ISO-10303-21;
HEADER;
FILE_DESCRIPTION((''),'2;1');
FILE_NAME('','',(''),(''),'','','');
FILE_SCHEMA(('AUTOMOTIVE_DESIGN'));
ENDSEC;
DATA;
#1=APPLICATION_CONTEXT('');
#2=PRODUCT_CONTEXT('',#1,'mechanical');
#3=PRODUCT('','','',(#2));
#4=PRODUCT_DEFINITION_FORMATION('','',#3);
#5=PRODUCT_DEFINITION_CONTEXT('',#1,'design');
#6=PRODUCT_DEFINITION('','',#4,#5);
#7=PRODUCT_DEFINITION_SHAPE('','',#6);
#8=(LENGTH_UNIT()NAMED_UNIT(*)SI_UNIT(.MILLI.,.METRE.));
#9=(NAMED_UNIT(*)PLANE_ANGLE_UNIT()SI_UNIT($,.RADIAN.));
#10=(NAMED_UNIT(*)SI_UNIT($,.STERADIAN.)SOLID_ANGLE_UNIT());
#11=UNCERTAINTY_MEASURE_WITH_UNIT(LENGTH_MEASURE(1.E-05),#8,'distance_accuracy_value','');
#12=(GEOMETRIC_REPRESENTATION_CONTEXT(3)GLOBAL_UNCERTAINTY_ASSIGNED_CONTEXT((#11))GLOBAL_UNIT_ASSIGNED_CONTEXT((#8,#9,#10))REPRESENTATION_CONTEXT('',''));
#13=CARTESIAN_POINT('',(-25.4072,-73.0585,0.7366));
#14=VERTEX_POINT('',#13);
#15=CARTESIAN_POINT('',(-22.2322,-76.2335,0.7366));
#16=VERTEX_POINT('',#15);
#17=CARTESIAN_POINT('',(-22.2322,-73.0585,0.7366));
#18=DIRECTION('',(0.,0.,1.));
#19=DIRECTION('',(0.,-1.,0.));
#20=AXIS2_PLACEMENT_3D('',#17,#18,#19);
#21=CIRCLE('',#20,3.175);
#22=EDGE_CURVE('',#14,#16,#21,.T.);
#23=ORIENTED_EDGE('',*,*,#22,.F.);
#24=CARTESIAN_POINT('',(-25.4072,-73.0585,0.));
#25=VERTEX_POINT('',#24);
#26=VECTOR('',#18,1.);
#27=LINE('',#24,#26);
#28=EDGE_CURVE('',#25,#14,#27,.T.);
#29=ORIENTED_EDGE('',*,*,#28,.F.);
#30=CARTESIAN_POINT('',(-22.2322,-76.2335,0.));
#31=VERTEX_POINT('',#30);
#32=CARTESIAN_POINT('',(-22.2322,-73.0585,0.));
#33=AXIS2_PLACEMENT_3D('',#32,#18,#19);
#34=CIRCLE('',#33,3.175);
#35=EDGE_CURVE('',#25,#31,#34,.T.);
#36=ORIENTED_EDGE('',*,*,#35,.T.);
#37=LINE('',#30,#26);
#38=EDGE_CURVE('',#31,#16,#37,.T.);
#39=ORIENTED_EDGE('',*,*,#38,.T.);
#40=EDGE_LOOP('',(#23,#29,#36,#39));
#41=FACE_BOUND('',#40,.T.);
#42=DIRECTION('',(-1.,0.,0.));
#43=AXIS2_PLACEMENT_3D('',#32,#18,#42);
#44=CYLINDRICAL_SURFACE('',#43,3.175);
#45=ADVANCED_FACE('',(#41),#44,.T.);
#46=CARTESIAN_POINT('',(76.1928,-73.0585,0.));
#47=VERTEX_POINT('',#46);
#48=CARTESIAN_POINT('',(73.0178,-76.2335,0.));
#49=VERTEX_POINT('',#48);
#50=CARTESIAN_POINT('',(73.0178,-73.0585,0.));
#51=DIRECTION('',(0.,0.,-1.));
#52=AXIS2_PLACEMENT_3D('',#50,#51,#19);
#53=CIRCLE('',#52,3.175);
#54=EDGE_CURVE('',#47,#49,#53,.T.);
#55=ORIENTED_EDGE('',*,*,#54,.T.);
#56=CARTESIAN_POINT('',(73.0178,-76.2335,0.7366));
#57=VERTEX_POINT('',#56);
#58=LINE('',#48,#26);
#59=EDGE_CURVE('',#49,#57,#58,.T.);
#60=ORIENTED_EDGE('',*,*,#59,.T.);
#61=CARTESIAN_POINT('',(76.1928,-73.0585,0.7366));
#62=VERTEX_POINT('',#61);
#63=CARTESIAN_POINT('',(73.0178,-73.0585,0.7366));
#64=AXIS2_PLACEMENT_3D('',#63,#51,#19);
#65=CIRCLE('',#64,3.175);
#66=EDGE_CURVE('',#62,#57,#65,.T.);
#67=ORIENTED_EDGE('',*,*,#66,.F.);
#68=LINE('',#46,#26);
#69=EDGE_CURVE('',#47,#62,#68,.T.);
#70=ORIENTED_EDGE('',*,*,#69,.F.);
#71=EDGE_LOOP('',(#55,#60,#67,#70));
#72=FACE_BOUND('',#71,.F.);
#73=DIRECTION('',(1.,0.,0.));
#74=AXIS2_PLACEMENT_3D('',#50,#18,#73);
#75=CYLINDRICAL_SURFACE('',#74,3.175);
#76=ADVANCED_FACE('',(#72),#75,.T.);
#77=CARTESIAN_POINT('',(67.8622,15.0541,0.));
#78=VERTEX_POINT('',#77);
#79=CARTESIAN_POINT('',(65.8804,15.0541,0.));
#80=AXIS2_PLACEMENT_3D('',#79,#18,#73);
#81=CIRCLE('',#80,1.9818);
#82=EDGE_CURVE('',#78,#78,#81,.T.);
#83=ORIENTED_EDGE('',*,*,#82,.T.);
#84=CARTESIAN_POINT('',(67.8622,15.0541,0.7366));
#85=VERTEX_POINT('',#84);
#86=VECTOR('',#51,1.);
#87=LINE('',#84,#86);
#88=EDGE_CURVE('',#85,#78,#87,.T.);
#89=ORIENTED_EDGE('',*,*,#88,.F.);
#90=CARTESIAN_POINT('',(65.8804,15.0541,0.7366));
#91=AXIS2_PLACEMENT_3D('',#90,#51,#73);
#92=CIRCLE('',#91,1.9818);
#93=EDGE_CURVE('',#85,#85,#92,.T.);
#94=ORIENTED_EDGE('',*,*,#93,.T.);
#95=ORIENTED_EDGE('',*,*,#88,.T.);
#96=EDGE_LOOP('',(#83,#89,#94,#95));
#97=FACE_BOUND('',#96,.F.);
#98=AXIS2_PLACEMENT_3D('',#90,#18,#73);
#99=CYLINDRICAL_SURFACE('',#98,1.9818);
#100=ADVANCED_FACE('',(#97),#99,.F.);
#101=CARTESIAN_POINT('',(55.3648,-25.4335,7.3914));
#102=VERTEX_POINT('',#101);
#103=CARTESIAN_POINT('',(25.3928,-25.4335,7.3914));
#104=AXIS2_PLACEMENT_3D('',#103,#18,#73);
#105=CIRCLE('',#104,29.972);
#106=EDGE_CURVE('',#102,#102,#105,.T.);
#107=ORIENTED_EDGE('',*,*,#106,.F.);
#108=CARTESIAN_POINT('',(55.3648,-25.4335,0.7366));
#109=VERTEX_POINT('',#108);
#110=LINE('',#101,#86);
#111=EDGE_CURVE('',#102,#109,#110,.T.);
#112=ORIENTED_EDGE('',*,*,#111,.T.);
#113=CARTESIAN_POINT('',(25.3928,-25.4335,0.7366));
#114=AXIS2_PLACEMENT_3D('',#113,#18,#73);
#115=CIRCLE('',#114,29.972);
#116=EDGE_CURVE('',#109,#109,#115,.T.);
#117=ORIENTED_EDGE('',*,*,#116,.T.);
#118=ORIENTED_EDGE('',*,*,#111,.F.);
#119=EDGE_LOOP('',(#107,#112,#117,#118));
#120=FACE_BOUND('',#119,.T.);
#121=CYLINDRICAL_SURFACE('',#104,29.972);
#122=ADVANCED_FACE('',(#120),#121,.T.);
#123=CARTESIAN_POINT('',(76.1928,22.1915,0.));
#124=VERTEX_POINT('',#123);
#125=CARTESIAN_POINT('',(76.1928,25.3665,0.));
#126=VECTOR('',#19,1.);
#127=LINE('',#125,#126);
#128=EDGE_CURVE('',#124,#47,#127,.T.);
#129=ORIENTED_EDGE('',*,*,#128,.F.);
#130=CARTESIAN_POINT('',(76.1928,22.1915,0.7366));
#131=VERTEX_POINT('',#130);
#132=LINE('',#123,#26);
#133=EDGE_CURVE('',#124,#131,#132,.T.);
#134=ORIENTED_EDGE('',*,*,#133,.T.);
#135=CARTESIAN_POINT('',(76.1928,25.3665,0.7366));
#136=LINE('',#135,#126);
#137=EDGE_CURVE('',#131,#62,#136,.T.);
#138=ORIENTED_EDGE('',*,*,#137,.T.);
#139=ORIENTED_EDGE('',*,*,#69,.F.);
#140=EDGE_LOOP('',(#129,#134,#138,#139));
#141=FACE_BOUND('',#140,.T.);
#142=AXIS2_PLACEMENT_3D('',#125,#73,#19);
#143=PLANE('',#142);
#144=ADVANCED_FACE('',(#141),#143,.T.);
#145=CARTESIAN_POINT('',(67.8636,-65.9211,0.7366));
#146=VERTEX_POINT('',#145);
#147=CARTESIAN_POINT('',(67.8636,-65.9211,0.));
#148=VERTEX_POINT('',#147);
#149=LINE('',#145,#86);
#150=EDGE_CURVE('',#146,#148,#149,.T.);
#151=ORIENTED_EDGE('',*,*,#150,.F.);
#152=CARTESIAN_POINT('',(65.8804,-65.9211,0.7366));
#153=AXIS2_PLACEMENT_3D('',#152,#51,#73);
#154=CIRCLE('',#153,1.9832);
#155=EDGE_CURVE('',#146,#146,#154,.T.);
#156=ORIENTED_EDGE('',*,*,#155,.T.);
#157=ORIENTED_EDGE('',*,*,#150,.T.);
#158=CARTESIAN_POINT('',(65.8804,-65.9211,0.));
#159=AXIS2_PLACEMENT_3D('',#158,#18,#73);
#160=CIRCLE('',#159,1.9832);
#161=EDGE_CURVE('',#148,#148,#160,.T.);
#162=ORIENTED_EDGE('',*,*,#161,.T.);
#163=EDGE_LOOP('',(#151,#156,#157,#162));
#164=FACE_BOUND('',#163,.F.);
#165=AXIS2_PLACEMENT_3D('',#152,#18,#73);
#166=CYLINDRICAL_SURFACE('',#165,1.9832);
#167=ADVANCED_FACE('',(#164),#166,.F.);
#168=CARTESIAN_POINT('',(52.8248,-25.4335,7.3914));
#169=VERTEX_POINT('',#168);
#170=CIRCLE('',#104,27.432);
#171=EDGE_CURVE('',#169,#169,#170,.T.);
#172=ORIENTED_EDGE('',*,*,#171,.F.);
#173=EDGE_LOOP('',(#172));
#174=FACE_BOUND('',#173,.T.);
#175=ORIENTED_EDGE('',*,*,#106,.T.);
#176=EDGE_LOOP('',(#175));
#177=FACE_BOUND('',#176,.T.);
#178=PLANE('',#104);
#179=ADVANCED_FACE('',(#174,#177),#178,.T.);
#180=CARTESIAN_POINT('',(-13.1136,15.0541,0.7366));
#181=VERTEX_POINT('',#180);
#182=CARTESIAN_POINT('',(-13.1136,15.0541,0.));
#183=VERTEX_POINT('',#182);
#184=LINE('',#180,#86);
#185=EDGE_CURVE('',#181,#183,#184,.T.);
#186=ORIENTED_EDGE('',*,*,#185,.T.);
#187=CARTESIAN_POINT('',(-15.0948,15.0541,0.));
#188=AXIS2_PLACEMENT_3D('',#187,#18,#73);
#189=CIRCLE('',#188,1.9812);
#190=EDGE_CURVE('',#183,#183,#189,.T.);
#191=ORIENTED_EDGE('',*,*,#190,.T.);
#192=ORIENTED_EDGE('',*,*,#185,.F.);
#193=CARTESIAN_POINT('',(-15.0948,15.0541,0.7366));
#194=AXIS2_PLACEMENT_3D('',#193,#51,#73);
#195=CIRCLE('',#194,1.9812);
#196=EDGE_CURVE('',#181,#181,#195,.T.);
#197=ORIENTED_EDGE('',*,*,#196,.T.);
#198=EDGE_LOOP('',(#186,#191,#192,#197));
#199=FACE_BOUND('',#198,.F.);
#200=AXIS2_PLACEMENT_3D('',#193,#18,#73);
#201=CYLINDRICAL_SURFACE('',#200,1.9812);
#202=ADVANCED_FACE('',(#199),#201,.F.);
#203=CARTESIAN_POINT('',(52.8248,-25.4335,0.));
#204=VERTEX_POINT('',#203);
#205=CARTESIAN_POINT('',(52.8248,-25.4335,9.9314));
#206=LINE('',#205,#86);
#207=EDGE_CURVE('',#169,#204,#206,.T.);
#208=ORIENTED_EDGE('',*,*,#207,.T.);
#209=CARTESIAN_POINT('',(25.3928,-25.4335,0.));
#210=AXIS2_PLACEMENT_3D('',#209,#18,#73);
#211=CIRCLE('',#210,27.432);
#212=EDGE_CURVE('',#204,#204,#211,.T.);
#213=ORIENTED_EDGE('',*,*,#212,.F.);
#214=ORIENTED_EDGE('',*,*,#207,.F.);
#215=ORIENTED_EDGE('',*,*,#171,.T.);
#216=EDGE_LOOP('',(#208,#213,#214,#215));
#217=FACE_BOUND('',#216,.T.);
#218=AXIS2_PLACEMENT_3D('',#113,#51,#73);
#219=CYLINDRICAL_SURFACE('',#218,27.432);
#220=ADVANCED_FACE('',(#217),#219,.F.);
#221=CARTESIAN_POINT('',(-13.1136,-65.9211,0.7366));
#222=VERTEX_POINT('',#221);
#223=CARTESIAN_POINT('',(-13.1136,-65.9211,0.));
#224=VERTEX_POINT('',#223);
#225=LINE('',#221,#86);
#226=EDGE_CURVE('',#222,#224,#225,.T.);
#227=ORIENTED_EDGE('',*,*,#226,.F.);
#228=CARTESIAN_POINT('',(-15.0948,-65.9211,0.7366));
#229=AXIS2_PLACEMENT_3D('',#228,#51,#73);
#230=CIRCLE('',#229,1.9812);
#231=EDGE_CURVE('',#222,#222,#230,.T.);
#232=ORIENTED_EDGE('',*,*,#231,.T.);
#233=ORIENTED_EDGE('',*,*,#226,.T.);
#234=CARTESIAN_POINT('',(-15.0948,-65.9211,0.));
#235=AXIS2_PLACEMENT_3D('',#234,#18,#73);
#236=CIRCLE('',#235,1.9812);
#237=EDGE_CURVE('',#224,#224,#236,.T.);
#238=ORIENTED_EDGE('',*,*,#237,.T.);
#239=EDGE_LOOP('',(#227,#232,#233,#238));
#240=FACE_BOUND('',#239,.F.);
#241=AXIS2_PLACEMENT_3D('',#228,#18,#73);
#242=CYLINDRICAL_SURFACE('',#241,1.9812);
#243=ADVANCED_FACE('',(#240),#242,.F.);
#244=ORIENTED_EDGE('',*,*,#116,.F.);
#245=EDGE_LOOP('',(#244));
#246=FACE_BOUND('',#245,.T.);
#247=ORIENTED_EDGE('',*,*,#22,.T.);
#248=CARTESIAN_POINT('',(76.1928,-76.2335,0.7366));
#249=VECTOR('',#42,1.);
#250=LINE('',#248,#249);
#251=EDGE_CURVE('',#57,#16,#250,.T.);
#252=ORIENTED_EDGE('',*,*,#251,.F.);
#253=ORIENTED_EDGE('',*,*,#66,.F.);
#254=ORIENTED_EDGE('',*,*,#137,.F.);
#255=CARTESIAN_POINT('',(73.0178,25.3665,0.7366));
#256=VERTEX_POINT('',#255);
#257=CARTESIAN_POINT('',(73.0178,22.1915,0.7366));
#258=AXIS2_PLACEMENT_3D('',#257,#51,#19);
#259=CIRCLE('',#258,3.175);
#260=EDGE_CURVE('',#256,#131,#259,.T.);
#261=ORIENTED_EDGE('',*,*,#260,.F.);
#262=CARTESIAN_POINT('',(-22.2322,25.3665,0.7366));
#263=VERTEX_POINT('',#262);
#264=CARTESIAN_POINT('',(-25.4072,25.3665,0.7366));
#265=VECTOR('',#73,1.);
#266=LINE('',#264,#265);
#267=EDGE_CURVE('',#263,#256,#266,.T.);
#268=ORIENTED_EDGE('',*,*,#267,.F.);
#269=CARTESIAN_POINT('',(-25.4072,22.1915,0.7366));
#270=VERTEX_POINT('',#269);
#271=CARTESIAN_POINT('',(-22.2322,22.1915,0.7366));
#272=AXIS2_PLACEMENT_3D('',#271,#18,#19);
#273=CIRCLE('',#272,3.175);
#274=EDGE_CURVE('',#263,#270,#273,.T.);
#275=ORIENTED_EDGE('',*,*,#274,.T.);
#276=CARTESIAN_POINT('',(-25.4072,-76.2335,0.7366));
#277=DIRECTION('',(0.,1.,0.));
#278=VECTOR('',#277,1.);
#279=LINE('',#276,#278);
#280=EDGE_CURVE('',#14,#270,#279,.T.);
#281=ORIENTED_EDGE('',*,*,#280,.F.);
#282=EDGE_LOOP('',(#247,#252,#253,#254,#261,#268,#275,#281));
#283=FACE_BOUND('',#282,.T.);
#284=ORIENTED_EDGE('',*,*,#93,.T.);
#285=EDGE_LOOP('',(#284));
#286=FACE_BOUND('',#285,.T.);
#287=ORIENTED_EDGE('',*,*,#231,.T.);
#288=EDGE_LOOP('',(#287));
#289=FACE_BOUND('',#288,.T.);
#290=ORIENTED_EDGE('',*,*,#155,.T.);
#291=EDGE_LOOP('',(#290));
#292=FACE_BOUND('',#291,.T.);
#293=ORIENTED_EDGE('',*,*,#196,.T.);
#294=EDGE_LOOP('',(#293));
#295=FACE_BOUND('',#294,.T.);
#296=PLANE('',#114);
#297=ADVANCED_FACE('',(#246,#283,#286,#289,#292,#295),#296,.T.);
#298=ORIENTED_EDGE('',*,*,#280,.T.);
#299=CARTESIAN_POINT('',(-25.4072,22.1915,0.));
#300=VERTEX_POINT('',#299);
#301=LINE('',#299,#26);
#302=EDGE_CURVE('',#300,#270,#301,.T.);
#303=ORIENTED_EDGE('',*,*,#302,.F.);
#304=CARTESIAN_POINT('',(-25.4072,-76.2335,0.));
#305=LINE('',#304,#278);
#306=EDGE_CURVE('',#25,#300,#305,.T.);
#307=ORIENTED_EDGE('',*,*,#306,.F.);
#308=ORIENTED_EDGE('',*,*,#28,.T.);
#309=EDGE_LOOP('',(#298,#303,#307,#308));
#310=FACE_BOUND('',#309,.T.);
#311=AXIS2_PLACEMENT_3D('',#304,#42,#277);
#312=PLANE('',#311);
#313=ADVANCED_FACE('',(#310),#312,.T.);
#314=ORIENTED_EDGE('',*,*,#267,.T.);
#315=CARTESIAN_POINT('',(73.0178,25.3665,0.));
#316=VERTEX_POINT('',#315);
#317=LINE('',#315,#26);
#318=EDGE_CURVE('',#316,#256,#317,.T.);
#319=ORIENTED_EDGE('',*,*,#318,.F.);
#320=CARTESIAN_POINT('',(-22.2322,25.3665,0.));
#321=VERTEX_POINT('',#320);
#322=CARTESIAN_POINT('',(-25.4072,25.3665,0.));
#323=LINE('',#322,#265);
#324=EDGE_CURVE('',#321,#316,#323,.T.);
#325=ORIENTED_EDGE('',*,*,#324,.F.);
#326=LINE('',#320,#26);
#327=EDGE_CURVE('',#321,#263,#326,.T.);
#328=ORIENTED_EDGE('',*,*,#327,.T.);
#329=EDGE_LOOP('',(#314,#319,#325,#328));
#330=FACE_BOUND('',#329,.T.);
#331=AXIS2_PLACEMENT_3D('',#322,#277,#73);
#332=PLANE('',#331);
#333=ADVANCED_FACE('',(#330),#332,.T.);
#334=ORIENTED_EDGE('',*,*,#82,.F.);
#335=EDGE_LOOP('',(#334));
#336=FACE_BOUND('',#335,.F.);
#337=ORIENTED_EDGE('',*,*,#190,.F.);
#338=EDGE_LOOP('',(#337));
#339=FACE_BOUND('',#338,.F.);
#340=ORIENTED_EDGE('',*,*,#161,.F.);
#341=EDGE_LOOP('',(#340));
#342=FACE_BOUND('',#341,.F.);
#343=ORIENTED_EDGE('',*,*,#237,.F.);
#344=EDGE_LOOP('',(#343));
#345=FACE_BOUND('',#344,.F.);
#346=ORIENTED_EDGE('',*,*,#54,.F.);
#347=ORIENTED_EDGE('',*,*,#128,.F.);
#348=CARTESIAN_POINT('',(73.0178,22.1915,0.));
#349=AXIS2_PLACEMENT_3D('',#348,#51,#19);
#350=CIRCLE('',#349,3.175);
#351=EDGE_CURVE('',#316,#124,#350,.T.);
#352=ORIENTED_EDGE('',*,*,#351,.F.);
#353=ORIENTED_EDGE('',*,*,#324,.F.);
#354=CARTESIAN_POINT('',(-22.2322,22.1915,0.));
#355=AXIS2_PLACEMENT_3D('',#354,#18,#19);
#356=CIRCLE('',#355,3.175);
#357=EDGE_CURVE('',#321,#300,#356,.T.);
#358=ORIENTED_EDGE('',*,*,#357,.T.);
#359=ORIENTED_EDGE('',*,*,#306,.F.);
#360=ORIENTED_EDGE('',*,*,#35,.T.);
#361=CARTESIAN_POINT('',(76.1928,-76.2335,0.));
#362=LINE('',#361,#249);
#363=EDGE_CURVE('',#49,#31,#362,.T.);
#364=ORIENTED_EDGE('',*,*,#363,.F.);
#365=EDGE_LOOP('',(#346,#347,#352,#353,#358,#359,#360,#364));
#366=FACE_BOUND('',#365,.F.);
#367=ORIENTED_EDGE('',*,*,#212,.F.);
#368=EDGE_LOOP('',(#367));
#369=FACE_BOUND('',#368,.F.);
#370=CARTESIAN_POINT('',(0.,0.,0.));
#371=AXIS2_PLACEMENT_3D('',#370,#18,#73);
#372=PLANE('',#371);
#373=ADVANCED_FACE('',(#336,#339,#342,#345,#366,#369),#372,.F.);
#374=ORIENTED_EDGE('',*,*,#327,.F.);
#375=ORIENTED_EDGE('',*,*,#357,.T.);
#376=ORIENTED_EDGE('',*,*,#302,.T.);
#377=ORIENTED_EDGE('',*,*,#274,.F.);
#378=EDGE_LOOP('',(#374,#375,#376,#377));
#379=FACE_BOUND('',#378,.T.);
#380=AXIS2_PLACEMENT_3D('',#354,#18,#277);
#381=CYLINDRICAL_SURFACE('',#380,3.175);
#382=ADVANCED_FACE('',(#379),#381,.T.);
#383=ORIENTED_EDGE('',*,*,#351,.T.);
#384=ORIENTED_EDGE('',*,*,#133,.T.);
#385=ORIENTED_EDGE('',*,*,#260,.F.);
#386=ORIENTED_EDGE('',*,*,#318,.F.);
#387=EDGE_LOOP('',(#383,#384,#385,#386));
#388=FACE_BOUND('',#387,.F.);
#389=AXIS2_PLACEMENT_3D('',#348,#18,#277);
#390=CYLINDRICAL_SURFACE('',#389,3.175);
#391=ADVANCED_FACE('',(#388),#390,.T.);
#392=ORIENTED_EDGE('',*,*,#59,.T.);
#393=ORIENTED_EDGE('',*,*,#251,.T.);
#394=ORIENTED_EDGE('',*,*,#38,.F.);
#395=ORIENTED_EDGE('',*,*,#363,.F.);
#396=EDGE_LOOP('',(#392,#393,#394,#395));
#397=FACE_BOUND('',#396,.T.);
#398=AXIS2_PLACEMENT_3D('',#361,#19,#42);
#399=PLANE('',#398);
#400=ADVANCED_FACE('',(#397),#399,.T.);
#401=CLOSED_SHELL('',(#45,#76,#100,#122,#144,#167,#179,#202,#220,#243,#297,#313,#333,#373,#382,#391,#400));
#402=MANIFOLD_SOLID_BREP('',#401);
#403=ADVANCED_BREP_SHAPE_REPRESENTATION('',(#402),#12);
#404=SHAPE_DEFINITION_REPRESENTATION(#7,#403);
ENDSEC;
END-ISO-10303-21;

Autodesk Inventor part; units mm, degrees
ref_plane "YZ Plane" through (0, 0, 0) normal (1, 0, 0) x (0, 1, 0)
ref_plane "XZ Plane" through (0, 0, 0) normal (0, 1, 0) x (-1, 0, 0)
ref_plane "XY Plane" through (0, 0, 0) normal (0, 0, 1) x (1, 0, 0)
sketch "Sketch1" plane through (0, 0, 0) normal (0, 0, 1) x (1, 0, 0)
  line L0 (-25.4072, 25.3665) -> (76.1928, 25.3665)
  line L1 (76.1928, 25.3665) -> (76.1928, -76.2335)
  line L2 (76.1928, -76.2335) -> (-25.4072, -76.2335)
  line L3 (-25.4072, -76.2335) -> (-25.4072, 25.3665)
  point P0 (0, 0)
  dimension "d0" = 101.6
  dimension "d1" = 101.6
extrude "Extrusion1" add sketch "Sketch1" along normal blind 0.7366
sketch "Sketch2" plane through (0, 0, 0.7366) normal (0, 0, 1) x (1, 0, 0)
  line L0 (-25.4072, 25.3665) -> (76.1928, -76.2335)
  line L1 (76.1928, 25.3665) -> (-25.4072, -76.2335)
  circle A0 centre (25.3928, -25.4335) radius 27.432
  point P0 (0, 0)
  dimension "d4" = 54.864
extrude "Extrusion2" cut sketch "Sketch2" against normal blind 0.7366
sketch "Sketch3" plane through (0, 0, 0.7366) normal (0, 0, 1) x (1, 0, 0)
  line L0 (-25.4072, -76.2335) -> (-25.4072, 25.3665) projected
  line L1 (-25.4072, 25.3665) -> (-25.4072, -25.4335)
  line L2 (-25.4072, -25.4335) -> (-25.4072, 19.4102)
  line L3 (-25.4072, 25.3665) -> (76.1928, -76.2335)
  line L4 (76.1928, 25.3665) -> (-25.4072, -76.2335)
  circle A0 centre (-19.4509, 19.4102) radius 1.9812
  point P0 (0, 0)
  dimension "d7" = 44.8437
  dimension "d8" = 3.9624
extrude "Extrusion3" cut sketch "Sketch3" against normal blind 0.7366 contours A0 L3 | L3 A0
sketch "Sketch4" plane through (0, 0, 0.7366) normal (0, 0, 1) x (1, 0, 0)
  line L0 (-25.4072, -76.2335) -> (76.1928, 25.3665)
  line L1 (-25.4072, 25.3665) -> (76.1928, -76.2335)
  circle A0 centre (70.2365, 19.4102) radius 1.9819
  circle A1 centre (70.2365, -70.2772) radius 1.983
  circle A2 centre (-19.4509, -70.2772) radius 1.9812
  point P0 (0, 0)
extrude "Extrusion4" cut sketch "Sketch4" against normal blind 0.7366
sketch "Sketch5" plane through (0, 0, 0.7366) normal (0, 0, 1) x (1, 0, 0)
  circle A0 centre (25.3928, -25.4335) radius 27.432 projected
  circle A1 centre (25.3928, -25.4335) radius 29.972
  circle A2 centre (25.3928, -25.4335) radius 32.512
  point P0 (0, 0)
  dimension "d13" = 59.944
  dimension "d14" = 65.024
extrude "Extrusion5" add sketch "Sketch5" along normal blind 6.6548 contours A2
fillet "Fillet1" radius 3.175 4 edges at (-25.4072, 25.3665, 0.3683) (76.1928, 25.3665, 0.3683) (76.1928, -76.2335, 0.3683) (-25.4072, -76.2335, 0.3683)
sketch "Sketch6" plane through (25.3928, -25.4335, 0.7366) normal (0, 0, 1) x (1, 0, 0)
  circle A0 centre (0, 0) radius 29.972 projected
  circle A1 centre (0, 0) radius 27.432 projected
  point P0 (-25.3928, 25.4335)
extrude "Extrusion6" add sketch "Sketch6" along normal blind 9.1948
sketch "Sketch7" plane through (25.3928, -25.4335, 7.3914) normal (0, 0, 1) x (1, 0, 0)
  circle A0 centre (0, 0) radius 29.972 projected
  circle A1 centre (0, 0) radius 32.512 projected
  point P0 (-25.3928, 25.4335)
extrude "Extrusion7" cut sketch "Sketch7" against normal blind 6.6548
sketch "Sketch8" plane through (25.3928, -25.4335, 9.9314) normal (0, 0, 1) x (1, 0, 0)
  circle A0 centre (0, 0) radius 27.432 projected
  circle A1 centre (0, 0) radius 29.972 projected
  point P0 (-25.3928, 25.4335)
extrude "Extrusion8" cut sketch "Sketch8" against normal blind 2.54
sketch "Sketch9" plane through (0, 0, 0.7366) normal (0, 0, 1) x (1, 0, 0)
  circle A0 centre (-19.4509, 19.4102) radius 1.9812 projected
  circle A1 centre (70.2365, -70.2772) radius 1.983 projected
  circle A2 centre (-19.4509, -70.2772) radius 1.9812 projected
  circle A3 centre (70.2365, 19.4102) radius 1.9819 projected
  point P0 (0, 0)
extrude "Extrusion9" add sketch "Sketch9" against normal blind 0.7366
sketch "Sketch10" plane through (0, 0, 0.7366) normal (0, 0, 1) x (1, 0, 0)
  line L0 (-25.4072, 25.3665) -> (76.1928, 25.3665)
  line L1 (76.1928, 25.3665) -> (76.1928, -76.2335)
  line L2 (76.1928, -76.2335) -> (-25.4072, -76.2335)
  line L3 (-25.4072, -76.2335) -> (-25.4072, 25.3665)
  line L4 (-25.4072, 25.3665) -> (76.1928, -76.2335)
  line L5 (-25.4072, -76.2335) -> (76.1928, 25.3665)
  line L6 (-25.4072, 25.3665) -> (-25.4072, -25.4335)
  line L7 (-25.4072, -25.4335) -> (-25.4072, 15.0541)
  circle A0 centre (-15.0948, 15.0541) radius 1.9812
  circle A1 centre (65.8804, 15.0541) radius 1.9818
  circle A2 centre (65.8804, -65.9211) radius 1.9832
  circle A3 centre (-15.0948, -65.9211) radius 1.9812
  point P0 (0, 0)
  dimension "d26" = 40.4876
  dimension "d27" = 3.9624
extrude "Extrusion10" cut sketch "Sketch10" against normal blind 0.7366 contours A0 L4 | L4 A0 | A1 L5 | L5 A1 | A2 L4 | L4 A2 | A3 L5 | L5 A3
properties part number "2"
